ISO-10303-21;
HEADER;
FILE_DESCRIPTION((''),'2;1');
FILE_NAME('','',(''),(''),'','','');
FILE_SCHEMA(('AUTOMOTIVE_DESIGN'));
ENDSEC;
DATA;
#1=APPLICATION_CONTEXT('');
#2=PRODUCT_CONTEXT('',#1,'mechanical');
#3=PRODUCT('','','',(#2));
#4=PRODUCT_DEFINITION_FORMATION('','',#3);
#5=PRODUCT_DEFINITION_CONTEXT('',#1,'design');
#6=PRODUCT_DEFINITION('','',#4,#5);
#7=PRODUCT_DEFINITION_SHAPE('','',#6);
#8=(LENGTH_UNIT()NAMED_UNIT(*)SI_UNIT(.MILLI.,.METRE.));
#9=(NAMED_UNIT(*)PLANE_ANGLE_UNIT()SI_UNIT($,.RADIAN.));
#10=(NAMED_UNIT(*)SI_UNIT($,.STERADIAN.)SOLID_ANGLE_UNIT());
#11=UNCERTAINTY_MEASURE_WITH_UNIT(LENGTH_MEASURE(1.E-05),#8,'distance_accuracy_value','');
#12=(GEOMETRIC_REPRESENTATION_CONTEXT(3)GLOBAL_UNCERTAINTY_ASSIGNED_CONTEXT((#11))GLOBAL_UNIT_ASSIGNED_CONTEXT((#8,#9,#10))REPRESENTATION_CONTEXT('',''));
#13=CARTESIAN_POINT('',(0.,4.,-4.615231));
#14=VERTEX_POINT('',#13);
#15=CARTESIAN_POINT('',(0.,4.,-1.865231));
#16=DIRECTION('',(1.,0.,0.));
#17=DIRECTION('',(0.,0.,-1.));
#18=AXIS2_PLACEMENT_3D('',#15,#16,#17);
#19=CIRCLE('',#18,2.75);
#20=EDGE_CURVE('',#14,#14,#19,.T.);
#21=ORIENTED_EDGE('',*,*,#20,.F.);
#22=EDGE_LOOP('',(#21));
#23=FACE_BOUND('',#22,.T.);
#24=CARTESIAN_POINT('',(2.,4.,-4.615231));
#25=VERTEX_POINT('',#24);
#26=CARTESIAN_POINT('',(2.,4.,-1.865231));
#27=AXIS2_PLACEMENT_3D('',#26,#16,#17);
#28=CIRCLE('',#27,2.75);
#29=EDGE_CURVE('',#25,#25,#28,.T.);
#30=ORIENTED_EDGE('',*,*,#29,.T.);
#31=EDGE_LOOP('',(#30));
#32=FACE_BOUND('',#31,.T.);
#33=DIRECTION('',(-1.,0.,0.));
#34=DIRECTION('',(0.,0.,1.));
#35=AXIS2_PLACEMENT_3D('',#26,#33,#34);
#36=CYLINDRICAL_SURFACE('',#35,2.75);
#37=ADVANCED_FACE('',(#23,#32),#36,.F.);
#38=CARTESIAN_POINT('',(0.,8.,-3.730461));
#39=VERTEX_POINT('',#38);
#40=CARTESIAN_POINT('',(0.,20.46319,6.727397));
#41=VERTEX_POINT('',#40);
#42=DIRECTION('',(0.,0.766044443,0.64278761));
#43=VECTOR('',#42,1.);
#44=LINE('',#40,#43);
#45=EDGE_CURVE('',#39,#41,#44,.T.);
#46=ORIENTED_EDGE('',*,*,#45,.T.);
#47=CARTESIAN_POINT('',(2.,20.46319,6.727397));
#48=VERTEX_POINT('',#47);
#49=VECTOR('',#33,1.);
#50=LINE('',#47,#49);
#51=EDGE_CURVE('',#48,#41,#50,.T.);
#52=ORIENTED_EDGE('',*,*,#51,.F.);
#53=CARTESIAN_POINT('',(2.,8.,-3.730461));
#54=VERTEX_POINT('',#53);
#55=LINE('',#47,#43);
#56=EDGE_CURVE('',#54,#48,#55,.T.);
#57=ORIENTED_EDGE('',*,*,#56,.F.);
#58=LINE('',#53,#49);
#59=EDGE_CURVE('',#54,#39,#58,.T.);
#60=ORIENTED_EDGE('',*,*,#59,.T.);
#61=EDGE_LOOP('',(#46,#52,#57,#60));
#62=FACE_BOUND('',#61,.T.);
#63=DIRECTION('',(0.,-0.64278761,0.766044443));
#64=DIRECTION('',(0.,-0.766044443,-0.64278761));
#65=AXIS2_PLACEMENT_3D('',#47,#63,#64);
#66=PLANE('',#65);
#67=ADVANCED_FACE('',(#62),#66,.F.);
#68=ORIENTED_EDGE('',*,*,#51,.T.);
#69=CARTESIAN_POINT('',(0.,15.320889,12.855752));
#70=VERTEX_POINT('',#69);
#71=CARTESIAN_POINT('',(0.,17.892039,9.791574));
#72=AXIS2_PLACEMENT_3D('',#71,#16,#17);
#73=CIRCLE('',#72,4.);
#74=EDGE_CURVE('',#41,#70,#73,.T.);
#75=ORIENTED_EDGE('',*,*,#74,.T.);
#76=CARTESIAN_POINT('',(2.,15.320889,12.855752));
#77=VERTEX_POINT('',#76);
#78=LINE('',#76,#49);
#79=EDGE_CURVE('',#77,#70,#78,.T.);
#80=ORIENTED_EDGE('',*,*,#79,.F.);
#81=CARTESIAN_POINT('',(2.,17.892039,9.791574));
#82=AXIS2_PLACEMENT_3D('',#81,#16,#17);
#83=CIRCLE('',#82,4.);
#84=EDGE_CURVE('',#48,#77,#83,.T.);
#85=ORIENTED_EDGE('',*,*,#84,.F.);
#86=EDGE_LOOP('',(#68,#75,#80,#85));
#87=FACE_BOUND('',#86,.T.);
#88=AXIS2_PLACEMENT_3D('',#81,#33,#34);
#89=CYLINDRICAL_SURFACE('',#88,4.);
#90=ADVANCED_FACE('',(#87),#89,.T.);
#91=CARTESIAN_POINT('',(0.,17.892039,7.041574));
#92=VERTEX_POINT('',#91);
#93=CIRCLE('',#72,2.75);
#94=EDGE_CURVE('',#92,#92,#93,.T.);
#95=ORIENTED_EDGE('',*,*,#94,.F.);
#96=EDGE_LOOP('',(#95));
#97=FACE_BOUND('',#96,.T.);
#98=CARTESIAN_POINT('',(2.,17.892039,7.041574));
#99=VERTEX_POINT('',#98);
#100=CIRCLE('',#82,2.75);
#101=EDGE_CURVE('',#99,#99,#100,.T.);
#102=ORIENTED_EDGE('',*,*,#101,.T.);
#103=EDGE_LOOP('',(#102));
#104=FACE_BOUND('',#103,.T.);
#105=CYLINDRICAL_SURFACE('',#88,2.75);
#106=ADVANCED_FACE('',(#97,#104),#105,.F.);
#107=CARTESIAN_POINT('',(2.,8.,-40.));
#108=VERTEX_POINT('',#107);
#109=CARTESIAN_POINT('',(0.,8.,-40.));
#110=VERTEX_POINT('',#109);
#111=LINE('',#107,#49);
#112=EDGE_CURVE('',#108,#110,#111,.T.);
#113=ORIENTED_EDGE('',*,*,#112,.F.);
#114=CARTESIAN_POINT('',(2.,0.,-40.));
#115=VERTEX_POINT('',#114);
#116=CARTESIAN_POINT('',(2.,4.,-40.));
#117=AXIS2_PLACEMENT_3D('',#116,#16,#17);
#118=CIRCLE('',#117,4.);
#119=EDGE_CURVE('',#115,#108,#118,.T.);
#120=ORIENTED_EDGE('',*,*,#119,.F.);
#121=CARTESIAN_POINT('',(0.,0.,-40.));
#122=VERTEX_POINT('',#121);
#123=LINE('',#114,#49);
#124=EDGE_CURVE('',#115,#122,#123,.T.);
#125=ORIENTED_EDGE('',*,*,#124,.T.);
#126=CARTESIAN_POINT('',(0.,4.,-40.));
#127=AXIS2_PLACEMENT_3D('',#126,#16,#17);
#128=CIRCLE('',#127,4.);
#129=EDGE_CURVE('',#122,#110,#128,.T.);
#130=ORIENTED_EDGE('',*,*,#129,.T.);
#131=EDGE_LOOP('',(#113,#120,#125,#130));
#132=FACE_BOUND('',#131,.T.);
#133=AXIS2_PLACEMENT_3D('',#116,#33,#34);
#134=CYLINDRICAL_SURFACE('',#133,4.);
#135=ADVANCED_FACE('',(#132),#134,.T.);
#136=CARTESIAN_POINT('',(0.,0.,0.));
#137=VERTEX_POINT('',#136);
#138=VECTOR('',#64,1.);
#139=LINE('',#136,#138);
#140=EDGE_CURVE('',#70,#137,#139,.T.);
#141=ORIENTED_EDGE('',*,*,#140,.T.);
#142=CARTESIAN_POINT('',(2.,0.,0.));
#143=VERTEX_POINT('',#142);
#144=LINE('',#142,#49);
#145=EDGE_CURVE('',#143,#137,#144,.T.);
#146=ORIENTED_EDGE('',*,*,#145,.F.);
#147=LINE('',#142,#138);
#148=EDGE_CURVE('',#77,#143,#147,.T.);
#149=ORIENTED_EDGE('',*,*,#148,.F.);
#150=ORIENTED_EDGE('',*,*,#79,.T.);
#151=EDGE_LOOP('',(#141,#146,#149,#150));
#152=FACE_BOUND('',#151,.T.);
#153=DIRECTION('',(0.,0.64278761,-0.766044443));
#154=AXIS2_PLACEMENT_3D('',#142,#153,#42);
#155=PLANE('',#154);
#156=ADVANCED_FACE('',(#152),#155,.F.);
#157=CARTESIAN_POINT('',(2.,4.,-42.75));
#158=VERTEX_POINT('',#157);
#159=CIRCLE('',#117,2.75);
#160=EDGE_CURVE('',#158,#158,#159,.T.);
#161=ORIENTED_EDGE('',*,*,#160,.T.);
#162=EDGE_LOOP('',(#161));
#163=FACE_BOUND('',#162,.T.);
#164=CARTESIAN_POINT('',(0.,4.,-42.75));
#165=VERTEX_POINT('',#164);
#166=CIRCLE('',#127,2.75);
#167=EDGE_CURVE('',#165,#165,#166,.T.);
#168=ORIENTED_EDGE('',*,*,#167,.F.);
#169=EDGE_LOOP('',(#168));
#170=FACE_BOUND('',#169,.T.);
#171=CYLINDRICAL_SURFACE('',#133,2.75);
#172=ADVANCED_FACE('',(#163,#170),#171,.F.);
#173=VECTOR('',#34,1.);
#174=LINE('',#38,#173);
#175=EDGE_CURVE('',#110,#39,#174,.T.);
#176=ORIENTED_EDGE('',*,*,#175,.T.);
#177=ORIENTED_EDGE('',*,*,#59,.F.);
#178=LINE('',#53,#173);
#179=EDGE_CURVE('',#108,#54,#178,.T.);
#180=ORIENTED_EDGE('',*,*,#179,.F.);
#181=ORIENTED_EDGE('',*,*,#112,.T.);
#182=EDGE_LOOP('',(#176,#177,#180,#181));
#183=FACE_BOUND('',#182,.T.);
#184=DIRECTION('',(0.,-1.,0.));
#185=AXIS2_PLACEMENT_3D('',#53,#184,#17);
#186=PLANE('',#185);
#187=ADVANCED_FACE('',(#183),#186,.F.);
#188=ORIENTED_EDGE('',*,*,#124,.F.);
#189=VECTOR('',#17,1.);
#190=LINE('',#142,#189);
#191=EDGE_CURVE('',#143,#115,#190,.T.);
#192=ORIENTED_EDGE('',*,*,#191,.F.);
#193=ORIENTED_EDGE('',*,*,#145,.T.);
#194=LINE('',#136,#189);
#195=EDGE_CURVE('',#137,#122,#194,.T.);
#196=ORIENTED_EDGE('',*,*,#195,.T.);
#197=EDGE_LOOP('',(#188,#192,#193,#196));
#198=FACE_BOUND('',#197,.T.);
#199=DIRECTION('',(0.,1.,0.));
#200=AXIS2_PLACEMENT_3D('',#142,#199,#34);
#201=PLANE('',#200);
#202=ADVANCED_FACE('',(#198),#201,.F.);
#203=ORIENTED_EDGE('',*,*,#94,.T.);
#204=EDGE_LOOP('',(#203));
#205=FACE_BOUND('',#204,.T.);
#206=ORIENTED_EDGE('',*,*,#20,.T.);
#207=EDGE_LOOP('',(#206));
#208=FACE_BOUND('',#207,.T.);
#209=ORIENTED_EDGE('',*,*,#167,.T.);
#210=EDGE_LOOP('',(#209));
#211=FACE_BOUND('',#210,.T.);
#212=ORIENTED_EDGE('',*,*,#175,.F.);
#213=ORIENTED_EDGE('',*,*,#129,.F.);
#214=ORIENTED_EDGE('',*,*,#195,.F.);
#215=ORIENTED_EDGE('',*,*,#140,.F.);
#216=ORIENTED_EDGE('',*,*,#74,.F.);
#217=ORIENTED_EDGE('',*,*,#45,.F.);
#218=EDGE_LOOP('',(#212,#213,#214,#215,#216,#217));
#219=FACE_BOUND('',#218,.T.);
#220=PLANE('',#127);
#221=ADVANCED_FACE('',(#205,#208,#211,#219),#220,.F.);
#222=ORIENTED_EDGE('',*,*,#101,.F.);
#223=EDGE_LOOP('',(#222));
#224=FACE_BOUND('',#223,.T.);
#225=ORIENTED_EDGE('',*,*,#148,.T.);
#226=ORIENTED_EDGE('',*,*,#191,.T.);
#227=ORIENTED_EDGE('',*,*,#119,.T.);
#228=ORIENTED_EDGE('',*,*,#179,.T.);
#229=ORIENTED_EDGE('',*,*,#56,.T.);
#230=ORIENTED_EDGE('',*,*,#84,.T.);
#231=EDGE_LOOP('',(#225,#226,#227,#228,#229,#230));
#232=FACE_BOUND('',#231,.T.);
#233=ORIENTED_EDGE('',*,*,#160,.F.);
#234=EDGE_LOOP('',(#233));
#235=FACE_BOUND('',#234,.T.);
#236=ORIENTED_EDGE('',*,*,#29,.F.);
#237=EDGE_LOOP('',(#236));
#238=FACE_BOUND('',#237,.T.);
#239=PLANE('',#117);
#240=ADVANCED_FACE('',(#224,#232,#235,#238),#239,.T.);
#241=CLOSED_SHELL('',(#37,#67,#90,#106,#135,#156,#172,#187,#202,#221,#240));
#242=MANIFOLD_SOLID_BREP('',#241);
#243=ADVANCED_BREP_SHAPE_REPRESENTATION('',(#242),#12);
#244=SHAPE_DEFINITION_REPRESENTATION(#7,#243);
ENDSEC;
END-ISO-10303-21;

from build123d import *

# Parameters (mm, degrees)
SKETCH1_R           = 2.75
BOSS_EXTRUDE1_DEPTH = 2


with BuildPart() as part:
    # Sketch1 → Boss-Extrude1 (new body)
    with BuildSketch(Plane(origin=(0, 0, 0), x_dir=(0, 0, -1), z_dir=(1, 0, 0))):
        with BuildLine():
            Line((0, 0), (-12.855752194, 15.320888862))
            ThreePointArc((-12.855752194, 15.320888862), (-12.36272486, 20.956217074), (-6.727396649, 20.46318974))
            Line((-6.727396649, 20.46318974), (3.730461265, 8))
            Line((3.730461265, 8), (40, 8))
            ThreePointArc((40, 8), (44, 4), (40, 0))
            Line((40, 0), (0, 0))
        make_face()
        with Locations((-9.791574421, 17.892039301)):
            Circle(SKETCH1_R, mode=Mode.SUBTRACT)
        with Locations((40, 4)):
            Circle(SKETCH1_R, mode=Mode.SUBTRACT)
        with Locations((1.865230633, 4)):
            Circle(SKETCH1_R, mode=Mode.SUBTRACT)
    extrude(amount=BOSS_EXTRUDE1_DEPTH)


solid = part.part
